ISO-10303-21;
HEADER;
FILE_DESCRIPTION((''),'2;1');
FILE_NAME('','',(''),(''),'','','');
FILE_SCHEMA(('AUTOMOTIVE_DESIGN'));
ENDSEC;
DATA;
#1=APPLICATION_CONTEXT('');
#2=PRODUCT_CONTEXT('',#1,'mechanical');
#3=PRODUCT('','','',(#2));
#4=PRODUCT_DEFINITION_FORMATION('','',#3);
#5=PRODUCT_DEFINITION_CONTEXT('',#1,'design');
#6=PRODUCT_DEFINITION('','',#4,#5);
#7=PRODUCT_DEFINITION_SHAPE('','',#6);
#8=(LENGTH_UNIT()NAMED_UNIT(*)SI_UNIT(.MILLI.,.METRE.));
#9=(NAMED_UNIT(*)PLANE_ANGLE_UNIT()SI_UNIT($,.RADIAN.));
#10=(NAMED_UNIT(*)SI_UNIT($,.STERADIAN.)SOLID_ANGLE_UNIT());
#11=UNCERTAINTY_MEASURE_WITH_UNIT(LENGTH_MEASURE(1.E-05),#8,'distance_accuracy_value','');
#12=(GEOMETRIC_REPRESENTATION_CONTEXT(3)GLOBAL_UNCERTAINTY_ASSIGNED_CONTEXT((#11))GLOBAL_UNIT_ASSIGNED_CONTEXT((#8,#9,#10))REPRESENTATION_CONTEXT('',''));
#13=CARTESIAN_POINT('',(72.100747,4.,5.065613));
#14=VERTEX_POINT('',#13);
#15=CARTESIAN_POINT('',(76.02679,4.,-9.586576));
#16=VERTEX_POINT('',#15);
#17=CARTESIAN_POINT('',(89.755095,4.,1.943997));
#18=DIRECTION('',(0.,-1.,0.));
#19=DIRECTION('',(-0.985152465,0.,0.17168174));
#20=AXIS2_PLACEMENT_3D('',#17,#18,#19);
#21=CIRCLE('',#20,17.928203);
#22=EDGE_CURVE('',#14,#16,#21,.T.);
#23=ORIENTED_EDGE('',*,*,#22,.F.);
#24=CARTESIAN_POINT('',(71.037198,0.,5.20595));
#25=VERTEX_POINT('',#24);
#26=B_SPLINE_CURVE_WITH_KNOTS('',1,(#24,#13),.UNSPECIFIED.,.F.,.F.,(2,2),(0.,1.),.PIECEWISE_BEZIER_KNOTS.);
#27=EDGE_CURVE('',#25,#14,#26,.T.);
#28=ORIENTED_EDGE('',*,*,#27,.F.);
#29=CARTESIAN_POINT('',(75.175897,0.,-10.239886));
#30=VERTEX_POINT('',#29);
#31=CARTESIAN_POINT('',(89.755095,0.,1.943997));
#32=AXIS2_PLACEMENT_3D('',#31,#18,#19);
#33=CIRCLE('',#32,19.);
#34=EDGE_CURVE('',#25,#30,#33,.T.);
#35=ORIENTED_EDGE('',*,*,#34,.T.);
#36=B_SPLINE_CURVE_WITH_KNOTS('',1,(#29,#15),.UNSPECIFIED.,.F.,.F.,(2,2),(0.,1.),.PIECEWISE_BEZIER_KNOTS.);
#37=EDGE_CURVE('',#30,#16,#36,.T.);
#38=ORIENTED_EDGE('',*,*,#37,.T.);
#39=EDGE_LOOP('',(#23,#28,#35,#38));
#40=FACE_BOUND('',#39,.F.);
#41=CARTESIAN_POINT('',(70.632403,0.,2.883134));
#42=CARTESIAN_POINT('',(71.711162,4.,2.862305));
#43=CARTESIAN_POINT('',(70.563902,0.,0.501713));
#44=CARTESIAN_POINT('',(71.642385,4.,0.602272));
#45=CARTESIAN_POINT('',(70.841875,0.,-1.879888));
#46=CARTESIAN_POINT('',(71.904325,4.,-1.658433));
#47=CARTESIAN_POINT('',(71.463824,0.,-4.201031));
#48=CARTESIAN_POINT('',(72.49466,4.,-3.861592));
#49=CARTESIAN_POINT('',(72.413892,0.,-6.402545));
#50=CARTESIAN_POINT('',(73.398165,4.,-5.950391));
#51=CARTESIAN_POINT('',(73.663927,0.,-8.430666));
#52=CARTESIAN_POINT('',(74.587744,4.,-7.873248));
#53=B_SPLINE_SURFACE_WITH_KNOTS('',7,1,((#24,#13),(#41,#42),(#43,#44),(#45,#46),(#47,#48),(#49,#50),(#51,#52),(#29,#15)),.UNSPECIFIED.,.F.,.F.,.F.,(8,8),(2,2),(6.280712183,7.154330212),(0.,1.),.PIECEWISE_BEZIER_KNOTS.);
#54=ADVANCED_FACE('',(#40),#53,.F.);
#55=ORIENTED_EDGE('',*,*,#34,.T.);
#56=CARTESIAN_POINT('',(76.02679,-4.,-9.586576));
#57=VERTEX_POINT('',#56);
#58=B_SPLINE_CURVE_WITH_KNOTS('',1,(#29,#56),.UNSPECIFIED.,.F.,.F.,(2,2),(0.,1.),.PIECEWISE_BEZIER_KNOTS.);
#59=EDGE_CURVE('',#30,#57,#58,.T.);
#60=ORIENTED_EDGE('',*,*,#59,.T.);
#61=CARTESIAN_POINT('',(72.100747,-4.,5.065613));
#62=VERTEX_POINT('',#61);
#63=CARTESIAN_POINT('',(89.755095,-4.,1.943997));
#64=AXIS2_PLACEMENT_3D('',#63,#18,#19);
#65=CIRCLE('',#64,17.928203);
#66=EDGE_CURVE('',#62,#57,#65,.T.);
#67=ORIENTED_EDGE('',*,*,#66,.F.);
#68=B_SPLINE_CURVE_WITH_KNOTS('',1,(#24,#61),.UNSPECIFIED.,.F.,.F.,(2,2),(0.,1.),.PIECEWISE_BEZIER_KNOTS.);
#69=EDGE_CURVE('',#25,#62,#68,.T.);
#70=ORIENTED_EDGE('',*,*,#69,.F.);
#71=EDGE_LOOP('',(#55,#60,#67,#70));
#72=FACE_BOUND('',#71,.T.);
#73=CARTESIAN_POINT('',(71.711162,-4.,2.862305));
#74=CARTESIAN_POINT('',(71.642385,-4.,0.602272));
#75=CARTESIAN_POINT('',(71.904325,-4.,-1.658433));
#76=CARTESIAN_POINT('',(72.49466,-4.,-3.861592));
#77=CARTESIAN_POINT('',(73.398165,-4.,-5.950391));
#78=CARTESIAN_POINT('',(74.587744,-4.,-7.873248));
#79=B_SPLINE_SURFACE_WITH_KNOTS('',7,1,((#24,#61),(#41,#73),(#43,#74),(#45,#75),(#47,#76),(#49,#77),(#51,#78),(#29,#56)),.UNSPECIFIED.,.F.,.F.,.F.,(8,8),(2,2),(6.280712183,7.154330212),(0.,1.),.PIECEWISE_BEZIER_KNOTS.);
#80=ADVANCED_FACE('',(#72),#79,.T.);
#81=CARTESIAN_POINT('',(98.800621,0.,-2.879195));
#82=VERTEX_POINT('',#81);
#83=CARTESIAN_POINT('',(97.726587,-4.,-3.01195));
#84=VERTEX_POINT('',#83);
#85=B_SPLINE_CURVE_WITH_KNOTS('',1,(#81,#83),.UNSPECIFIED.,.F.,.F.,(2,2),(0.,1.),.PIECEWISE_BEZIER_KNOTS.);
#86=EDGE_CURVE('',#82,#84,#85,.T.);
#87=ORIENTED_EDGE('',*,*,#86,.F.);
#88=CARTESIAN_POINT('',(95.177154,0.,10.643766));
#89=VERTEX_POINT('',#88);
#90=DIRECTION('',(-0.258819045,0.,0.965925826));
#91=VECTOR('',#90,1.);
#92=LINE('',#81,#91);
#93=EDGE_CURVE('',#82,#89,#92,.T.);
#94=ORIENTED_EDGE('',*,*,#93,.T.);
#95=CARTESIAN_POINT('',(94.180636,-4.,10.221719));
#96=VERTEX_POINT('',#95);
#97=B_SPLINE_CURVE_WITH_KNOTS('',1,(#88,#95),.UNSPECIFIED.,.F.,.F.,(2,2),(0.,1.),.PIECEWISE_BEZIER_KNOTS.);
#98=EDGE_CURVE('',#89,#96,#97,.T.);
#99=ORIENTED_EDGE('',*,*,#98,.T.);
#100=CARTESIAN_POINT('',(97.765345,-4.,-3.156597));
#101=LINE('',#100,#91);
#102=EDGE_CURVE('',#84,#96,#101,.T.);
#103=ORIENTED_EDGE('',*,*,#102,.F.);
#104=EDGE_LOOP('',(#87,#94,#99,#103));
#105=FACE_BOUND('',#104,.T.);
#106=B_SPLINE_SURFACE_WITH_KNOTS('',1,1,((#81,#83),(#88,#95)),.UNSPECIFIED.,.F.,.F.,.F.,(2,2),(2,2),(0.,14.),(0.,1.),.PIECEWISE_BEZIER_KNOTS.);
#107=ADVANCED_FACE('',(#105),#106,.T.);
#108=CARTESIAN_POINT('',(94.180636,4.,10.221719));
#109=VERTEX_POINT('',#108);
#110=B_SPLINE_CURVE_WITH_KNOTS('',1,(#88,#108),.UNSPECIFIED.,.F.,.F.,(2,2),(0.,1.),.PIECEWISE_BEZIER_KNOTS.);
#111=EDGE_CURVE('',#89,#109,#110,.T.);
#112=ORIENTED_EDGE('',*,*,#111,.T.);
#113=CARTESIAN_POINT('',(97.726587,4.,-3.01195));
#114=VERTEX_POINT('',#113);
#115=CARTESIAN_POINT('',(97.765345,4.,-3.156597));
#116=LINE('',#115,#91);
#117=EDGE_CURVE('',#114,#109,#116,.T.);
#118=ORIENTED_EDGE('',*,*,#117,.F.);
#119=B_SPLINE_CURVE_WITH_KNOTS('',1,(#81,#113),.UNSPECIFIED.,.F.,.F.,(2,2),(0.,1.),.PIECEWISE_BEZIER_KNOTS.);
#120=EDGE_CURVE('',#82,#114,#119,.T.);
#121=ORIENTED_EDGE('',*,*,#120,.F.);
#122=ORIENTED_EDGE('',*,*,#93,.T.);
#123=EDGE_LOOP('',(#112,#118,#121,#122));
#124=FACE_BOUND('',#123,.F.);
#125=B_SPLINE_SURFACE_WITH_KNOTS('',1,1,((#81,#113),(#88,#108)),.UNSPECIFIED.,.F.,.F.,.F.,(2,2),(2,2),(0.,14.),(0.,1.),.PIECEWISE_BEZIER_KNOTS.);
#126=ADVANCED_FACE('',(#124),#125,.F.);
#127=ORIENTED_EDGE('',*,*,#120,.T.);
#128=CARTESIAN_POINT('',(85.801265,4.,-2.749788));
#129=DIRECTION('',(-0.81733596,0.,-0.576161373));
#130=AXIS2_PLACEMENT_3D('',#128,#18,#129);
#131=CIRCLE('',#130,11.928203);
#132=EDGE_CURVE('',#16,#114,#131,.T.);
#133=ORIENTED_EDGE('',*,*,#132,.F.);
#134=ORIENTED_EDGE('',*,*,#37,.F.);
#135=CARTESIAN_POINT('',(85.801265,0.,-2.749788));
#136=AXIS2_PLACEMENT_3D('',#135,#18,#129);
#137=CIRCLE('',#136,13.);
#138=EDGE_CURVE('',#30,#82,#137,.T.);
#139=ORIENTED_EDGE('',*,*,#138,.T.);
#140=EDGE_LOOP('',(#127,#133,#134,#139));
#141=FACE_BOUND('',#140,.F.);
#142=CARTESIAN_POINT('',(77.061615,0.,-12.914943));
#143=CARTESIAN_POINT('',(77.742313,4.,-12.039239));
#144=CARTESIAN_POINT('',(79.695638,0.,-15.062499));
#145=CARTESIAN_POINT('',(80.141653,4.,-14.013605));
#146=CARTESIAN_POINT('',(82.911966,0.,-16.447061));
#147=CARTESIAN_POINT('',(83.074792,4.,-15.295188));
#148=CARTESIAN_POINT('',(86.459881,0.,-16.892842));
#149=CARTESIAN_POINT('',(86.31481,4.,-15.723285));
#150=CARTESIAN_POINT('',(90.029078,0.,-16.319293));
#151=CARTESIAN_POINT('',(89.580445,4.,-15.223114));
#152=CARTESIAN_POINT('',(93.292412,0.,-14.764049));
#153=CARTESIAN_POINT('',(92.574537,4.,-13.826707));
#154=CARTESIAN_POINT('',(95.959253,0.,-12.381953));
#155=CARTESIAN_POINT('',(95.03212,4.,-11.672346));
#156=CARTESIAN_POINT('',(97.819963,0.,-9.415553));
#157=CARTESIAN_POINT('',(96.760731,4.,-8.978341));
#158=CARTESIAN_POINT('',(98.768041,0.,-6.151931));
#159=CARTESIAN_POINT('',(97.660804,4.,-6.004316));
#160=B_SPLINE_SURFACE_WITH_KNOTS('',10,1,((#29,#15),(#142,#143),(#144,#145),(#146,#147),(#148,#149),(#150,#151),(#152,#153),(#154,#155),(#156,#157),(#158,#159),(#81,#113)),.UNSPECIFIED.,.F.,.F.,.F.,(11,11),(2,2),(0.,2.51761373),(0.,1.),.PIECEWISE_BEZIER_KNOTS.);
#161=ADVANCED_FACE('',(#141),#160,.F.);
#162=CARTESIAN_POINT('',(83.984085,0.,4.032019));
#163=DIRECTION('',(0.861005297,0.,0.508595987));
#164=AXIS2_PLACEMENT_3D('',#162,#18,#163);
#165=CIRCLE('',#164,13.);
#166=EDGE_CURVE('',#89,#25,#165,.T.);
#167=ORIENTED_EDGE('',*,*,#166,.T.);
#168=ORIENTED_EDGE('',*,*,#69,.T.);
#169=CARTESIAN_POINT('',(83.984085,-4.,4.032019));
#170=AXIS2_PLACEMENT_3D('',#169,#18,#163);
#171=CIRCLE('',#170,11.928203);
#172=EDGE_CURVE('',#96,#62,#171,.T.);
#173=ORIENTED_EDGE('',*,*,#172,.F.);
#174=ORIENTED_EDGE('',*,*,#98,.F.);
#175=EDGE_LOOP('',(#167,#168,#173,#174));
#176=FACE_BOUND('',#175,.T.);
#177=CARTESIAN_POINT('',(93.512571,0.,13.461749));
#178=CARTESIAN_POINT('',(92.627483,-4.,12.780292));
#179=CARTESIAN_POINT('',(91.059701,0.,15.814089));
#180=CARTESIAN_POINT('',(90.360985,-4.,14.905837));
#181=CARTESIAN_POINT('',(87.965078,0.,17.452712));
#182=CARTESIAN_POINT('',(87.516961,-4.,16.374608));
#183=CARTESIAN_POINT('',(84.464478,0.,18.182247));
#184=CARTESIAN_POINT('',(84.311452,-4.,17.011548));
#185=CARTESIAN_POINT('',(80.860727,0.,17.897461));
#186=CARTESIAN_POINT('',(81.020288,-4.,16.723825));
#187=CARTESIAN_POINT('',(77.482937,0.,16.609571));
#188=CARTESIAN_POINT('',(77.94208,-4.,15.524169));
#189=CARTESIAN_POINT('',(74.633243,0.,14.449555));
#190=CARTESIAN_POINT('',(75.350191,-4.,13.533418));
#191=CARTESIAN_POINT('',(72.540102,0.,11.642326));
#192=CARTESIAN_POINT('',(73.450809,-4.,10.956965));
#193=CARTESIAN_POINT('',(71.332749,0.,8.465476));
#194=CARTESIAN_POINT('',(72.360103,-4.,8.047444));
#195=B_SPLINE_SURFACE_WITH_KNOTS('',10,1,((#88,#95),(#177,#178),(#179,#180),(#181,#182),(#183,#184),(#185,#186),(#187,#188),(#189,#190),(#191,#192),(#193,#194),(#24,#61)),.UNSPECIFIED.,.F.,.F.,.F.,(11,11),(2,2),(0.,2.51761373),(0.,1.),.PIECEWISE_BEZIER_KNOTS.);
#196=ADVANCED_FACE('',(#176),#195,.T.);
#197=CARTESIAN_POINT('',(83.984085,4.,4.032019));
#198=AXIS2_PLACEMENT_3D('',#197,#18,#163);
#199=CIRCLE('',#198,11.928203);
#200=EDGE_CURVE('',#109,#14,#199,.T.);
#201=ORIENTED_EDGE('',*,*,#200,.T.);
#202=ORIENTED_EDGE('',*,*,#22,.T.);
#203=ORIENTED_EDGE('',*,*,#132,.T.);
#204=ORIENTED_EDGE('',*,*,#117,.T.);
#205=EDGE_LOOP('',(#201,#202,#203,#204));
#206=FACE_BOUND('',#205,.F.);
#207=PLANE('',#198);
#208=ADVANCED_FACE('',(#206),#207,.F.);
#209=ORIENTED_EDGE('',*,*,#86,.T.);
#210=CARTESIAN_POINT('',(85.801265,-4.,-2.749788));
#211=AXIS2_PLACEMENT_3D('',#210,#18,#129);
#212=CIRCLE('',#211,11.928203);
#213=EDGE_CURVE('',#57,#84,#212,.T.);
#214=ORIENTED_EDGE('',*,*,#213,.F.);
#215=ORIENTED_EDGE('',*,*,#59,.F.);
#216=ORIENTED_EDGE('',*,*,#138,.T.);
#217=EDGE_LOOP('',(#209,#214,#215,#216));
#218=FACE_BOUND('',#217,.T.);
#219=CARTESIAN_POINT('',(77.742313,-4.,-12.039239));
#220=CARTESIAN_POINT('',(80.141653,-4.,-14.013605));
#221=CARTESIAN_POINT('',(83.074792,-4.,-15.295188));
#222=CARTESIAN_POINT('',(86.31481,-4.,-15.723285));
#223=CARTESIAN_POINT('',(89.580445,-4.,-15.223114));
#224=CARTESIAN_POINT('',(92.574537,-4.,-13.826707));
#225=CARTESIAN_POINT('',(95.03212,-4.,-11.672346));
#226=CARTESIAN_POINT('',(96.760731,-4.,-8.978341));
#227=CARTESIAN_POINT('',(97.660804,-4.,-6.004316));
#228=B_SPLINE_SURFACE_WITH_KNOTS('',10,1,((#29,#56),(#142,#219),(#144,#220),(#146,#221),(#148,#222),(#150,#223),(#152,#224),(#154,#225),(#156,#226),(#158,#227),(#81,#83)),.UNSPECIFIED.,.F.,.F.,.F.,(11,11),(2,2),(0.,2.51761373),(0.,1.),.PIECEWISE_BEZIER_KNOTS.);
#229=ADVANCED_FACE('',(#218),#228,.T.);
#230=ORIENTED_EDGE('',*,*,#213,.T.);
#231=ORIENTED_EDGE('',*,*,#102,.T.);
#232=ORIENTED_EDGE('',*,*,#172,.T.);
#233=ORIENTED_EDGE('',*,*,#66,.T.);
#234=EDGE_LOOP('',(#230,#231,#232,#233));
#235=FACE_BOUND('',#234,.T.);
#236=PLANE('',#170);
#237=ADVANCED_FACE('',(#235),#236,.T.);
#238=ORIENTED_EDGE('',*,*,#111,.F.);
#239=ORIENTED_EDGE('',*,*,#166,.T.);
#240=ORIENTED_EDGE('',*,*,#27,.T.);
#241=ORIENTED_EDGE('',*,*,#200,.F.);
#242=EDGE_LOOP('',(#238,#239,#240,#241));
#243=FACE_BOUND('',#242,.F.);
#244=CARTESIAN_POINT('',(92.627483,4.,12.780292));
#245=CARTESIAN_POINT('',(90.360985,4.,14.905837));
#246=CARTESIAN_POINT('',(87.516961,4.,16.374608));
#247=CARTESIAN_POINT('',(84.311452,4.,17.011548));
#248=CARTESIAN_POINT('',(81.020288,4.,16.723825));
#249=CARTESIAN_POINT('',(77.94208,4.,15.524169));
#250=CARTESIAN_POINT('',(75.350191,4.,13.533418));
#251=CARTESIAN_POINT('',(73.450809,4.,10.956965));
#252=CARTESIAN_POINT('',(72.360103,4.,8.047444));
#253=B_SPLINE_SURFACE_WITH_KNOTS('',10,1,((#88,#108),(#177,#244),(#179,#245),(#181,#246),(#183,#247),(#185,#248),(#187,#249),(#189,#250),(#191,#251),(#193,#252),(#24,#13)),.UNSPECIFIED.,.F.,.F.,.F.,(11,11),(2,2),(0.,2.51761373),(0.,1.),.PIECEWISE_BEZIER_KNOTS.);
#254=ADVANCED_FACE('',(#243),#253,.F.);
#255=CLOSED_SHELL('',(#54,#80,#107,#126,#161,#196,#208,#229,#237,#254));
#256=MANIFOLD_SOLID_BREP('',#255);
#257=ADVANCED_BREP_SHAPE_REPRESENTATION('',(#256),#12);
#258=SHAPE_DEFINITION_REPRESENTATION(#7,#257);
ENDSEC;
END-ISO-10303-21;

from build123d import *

# Parameters (mm, degrees)
F1_DEPTH = 4
F1_TAPER = 15


with BuildPart() as f1:
    # F0 (on Front) → F1 (new body, symmetric)
    with BuildSketch(Plane.XZ):
        with BuildLine():
            ThreePointArc((86.7407649822, -6.1106237106), (82.5, 0), (83.1172983508, 7.4123378574))
            Line((83.1172983508, 7.4123378574), (95.1771540786, 10.6437664606))
            ThreePointArc((95.1771540786, 10.6437664606), (81.1272632347, 16.7142332691), (71.0371981223, 5.2059499033))
            ThreePointArc((71.0371981223, 5.2059499033), (71.4025042649, -2.9735650202), (75.175897327, -10.2398858059))
            ThreePointArc((75.175897327, -10.2398858059), (89.6682917231, -15.1613189985), (98.8006207101, -2.8791951075))
            Line((98.8006207101, -2.8791951075), (86.7407649822, -6.1106237106))
        make_face()
        with BuildLine():
            Line((95.1771540786, 10.6437664606), (83.1172983508, 7.4123378574))
            ThreePointArc((83.1172983508, 7.4123378574), (82.5, 0), (86.7407649822, -6.1106237106))
            Line((86.7407649822, -6.1106237106), (98.8006207101, -2.8791951075))
            Line((98.8006207101, -2.8791951075), (95.1771540786, 10.6437664606))
        make_face()
    extrude(amount=F1_DEPTH, both=True, taper=F1_TAPER)


solid = f1.part
